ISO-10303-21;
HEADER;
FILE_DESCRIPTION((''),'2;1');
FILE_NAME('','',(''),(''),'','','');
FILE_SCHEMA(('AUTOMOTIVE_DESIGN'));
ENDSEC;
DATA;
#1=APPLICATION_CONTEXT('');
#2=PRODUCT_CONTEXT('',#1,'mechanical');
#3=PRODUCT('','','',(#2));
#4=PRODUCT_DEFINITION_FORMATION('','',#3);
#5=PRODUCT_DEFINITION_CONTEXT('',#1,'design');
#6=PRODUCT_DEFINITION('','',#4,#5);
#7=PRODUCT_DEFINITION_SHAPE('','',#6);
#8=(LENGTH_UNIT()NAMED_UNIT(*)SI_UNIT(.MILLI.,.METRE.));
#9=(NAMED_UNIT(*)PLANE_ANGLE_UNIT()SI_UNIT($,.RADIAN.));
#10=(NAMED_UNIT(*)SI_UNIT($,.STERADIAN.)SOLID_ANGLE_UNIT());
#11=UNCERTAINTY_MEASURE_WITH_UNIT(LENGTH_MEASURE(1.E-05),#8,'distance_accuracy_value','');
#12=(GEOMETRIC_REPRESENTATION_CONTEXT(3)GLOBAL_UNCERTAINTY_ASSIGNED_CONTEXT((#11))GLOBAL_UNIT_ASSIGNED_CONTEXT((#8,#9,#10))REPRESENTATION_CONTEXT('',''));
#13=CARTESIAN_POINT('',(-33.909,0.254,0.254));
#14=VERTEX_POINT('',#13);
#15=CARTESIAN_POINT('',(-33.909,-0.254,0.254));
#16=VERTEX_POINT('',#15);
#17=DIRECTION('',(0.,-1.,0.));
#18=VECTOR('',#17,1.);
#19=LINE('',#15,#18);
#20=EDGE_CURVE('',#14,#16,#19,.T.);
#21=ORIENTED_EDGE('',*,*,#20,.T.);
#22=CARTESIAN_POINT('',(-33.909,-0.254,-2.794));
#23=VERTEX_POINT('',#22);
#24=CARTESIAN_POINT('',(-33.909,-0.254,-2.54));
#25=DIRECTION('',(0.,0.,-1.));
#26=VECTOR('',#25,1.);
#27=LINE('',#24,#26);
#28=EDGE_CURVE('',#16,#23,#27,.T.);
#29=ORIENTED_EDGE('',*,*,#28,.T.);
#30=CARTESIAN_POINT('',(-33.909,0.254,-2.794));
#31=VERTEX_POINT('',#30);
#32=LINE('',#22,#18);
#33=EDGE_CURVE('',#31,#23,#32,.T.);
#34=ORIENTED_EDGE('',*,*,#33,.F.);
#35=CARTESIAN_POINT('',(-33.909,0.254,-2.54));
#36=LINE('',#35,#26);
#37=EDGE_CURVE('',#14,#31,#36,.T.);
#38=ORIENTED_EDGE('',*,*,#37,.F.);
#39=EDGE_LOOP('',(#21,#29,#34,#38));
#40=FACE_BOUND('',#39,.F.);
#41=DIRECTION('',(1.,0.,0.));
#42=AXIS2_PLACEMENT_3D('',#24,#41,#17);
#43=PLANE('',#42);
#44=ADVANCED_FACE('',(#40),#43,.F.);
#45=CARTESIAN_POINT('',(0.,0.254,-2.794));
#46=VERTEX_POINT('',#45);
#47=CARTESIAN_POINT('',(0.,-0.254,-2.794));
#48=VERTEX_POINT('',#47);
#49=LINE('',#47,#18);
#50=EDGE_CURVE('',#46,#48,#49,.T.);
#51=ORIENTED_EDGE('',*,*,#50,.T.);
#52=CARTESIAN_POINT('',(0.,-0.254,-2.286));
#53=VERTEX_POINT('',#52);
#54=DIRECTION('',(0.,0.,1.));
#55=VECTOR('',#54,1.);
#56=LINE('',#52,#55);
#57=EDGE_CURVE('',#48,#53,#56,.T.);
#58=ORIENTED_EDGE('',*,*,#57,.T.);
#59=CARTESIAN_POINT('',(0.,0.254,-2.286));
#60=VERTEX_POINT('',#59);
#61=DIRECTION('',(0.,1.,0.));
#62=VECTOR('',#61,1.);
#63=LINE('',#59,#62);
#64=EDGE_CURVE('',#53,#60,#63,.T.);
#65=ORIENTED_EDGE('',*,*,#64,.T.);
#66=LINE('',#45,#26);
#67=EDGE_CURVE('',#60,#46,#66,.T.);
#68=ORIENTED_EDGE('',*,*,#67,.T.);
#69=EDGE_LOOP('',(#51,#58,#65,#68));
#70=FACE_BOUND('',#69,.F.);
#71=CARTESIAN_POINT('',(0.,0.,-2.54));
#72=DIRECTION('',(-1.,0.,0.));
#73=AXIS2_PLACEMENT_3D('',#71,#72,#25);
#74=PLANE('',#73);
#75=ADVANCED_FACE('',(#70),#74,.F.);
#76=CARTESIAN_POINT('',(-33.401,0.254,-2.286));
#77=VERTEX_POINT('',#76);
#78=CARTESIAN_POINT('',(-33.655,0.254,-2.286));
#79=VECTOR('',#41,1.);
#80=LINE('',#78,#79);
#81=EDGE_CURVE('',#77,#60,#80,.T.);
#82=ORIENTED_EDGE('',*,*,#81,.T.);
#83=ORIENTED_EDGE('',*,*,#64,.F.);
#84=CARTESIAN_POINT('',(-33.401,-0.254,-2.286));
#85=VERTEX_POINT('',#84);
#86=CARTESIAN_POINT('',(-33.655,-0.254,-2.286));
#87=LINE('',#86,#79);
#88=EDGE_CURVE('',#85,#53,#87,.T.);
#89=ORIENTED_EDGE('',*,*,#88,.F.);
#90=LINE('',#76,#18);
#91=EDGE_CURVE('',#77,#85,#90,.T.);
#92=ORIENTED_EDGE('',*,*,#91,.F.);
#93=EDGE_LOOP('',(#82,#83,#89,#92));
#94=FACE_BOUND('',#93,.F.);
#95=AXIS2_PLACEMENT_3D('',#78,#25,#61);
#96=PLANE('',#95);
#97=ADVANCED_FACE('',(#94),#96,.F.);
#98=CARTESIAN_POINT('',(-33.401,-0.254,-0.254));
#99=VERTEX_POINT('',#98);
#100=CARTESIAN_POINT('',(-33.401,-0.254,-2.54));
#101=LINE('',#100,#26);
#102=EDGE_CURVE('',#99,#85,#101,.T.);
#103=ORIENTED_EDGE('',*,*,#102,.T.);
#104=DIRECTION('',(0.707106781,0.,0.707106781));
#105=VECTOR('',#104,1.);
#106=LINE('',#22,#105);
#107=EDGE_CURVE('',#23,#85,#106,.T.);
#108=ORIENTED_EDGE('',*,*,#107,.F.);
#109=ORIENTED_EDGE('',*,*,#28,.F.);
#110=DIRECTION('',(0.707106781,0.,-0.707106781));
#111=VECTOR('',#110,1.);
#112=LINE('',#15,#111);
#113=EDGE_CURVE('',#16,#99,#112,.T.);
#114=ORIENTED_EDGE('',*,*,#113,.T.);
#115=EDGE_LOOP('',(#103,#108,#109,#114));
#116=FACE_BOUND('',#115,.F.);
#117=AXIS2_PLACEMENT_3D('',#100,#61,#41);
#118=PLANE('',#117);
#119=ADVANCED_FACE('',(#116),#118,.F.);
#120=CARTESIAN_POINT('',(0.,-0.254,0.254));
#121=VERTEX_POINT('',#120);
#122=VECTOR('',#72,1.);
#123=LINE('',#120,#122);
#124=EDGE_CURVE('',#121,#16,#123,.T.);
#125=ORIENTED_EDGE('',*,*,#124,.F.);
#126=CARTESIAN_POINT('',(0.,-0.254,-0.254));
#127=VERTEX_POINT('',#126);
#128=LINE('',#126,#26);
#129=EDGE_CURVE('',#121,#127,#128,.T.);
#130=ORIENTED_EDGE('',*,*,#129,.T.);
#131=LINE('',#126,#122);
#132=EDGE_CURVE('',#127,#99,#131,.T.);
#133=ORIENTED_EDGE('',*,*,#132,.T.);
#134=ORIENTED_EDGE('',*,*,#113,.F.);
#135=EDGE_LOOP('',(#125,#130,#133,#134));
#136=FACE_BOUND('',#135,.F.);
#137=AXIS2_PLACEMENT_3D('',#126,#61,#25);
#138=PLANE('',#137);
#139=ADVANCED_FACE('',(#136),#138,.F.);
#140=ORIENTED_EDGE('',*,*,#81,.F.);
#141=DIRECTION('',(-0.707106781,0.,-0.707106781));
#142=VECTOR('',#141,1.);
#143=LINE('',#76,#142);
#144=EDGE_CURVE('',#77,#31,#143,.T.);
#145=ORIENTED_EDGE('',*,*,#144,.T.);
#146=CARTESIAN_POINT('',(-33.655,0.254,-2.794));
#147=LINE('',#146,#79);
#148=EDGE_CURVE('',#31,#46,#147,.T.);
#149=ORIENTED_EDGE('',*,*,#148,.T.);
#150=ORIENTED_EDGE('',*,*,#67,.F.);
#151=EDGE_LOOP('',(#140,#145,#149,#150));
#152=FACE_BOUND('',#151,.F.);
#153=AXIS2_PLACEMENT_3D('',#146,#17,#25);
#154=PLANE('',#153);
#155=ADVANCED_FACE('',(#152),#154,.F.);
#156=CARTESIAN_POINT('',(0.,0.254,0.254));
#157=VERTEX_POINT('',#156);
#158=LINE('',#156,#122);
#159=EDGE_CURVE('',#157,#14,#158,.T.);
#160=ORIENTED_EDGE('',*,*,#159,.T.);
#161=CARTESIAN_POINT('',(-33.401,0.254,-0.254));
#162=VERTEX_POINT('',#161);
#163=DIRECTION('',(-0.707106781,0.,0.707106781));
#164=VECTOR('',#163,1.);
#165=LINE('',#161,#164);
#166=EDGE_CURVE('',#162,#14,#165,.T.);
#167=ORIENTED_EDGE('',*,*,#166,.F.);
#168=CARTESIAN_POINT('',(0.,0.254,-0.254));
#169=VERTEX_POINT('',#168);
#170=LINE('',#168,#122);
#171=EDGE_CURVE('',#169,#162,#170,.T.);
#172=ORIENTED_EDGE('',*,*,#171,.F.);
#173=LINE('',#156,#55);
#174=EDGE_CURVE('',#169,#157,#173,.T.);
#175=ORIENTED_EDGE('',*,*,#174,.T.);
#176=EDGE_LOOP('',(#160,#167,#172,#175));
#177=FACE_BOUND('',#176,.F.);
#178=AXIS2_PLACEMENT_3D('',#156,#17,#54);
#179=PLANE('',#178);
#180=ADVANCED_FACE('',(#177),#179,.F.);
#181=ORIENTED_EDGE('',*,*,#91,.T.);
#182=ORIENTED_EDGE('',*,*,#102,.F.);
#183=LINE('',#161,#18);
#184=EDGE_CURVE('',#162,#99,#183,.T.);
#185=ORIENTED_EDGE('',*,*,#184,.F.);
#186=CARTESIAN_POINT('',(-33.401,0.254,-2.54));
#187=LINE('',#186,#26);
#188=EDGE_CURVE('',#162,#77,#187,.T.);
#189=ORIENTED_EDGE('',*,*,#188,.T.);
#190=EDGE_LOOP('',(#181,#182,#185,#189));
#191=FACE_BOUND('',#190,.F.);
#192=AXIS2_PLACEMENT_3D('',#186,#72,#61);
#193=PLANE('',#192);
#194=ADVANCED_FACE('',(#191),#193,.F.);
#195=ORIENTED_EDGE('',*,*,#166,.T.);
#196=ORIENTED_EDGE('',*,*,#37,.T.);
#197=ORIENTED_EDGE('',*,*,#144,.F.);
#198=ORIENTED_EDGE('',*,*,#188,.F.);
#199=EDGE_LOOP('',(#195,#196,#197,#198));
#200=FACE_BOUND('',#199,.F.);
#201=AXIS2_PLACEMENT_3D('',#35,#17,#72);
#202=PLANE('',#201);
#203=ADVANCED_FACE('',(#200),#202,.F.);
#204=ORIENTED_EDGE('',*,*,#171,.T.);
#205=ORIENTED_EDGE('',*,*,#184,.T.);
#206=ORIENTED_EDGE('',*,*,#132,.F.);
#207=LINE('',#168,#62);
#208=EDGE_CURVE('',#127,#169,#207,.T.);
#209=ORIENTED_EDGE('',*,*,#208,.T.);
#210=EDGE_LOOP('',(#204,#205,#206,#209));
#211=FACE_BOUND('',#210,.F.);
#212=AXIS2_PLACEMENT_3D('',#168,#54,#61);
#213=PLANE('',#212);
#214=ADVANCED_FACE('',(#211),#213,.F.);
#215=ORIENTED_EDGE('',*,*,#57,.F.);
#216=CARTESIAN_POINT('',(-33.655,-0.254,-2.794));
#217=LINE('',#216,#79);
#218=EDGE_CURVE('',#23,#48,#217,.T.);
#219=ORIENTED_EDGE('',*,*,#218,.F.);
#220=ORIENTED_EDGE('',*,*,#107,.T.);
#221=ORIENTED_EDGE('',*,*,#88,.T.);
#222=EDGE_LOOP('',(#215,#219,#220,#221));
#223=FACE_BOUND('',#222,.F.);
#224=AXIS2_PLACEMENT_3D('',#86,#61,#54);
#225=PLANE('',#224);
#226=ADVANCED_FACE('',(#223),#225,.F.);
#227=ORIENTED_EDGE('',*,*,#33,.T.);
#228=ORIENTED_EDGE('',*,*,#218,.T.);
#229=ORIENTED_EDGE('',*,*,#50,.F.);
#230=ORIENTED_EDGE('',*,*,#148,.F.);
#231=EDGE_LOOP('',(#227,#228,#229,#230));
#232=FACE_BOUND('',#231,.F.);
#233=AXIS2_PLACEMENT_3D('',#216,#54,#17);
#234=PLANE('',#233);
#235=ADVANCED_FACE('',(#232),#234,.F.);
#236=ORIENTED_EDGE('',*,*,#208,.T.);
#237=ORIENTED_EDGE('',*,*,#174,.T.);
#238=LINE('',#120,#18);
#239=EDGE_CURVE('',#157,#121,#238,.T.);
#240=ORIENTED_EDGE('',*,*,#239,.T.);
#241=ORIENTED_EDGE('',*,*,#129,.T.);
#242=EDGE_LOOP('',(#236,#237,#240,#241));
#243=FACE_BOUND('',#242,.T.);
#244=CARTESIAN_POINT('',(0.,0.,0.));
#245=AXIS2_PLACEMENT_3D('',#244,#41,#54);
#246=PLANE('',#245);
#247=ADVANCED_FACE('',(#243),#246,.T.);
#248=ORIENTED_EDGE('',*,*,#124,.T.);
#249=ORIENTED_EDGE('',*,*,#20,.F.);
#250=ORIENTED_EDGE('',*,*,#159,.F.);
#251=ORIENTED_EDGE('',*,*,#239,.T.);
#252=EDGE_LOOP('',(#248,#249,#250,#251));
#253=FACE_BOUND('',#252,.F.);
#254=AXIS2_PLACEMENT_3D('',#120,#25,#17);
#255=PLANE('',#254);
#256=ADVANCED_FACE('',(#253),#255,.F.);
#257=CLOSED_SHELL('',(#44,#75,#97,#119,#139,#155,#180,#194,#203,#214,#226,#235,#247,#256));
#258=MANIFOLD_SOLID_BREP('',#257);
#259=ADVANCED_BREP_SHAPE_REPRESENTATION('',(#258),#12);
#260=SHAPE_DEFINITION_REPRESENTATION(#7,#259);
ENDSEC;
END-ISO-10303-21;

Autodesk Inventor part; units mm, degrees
ref_plane "XZ Plane" through (0, 0, 0) normal (0, 1, 0) x (-1, 0, 0)
sketch "Sketch1" plane through (0, 0, 0) normal (0, 1, 0) x (-1, 0, 0)
  line L0 (0, 0) -> (33.655, 0)
  line L1 (33.655, -2.54) -> (0, -2.54)
  line L2 (33.655, -2.54) -> (33.655, 0)
  dimension "d69" = 33.655
  dimension "d70" = 33.655
  dimension "d89" = 2.54
  dimension "d90" = 0
  dimension "d91" = 0
  dimension "d92" = 0
sketch "Sketch2" plane through (0, 0, 0) normal (1, 0, 0) x (0, 1, 0)
  line L0 (-0.254, 0.254) -> (0.254, 0.254)
  line L1 (0.254, 0.254) -> (0.254, -0.254)
  line L2 (0.254, -0.254) -> (-0.254, -0.254)
  line L3 (-0.254, -0.254) -> (-0.254, 0.254)
  dimension "d98" = 0.508
  dimension "d99" = 0.508
sweep "Sweep1" add profiles "Sketch2" path "Sketch1"
ref_plane "Work Plane1" through (6.35, 0, 0) normal (1, 0, 0) x (0, 1, 0)
ref_plane "Work Plane2" through (0, 0, -6.35) normal (0, 0, 1) x (1, 0, 0)
ref_plane "Work Plane4" through (0, 0, -2.9845) normal (0, 0, 1) x (1, 0, 0)
properties part number "abs_1p53_bubble" material "Silver"
